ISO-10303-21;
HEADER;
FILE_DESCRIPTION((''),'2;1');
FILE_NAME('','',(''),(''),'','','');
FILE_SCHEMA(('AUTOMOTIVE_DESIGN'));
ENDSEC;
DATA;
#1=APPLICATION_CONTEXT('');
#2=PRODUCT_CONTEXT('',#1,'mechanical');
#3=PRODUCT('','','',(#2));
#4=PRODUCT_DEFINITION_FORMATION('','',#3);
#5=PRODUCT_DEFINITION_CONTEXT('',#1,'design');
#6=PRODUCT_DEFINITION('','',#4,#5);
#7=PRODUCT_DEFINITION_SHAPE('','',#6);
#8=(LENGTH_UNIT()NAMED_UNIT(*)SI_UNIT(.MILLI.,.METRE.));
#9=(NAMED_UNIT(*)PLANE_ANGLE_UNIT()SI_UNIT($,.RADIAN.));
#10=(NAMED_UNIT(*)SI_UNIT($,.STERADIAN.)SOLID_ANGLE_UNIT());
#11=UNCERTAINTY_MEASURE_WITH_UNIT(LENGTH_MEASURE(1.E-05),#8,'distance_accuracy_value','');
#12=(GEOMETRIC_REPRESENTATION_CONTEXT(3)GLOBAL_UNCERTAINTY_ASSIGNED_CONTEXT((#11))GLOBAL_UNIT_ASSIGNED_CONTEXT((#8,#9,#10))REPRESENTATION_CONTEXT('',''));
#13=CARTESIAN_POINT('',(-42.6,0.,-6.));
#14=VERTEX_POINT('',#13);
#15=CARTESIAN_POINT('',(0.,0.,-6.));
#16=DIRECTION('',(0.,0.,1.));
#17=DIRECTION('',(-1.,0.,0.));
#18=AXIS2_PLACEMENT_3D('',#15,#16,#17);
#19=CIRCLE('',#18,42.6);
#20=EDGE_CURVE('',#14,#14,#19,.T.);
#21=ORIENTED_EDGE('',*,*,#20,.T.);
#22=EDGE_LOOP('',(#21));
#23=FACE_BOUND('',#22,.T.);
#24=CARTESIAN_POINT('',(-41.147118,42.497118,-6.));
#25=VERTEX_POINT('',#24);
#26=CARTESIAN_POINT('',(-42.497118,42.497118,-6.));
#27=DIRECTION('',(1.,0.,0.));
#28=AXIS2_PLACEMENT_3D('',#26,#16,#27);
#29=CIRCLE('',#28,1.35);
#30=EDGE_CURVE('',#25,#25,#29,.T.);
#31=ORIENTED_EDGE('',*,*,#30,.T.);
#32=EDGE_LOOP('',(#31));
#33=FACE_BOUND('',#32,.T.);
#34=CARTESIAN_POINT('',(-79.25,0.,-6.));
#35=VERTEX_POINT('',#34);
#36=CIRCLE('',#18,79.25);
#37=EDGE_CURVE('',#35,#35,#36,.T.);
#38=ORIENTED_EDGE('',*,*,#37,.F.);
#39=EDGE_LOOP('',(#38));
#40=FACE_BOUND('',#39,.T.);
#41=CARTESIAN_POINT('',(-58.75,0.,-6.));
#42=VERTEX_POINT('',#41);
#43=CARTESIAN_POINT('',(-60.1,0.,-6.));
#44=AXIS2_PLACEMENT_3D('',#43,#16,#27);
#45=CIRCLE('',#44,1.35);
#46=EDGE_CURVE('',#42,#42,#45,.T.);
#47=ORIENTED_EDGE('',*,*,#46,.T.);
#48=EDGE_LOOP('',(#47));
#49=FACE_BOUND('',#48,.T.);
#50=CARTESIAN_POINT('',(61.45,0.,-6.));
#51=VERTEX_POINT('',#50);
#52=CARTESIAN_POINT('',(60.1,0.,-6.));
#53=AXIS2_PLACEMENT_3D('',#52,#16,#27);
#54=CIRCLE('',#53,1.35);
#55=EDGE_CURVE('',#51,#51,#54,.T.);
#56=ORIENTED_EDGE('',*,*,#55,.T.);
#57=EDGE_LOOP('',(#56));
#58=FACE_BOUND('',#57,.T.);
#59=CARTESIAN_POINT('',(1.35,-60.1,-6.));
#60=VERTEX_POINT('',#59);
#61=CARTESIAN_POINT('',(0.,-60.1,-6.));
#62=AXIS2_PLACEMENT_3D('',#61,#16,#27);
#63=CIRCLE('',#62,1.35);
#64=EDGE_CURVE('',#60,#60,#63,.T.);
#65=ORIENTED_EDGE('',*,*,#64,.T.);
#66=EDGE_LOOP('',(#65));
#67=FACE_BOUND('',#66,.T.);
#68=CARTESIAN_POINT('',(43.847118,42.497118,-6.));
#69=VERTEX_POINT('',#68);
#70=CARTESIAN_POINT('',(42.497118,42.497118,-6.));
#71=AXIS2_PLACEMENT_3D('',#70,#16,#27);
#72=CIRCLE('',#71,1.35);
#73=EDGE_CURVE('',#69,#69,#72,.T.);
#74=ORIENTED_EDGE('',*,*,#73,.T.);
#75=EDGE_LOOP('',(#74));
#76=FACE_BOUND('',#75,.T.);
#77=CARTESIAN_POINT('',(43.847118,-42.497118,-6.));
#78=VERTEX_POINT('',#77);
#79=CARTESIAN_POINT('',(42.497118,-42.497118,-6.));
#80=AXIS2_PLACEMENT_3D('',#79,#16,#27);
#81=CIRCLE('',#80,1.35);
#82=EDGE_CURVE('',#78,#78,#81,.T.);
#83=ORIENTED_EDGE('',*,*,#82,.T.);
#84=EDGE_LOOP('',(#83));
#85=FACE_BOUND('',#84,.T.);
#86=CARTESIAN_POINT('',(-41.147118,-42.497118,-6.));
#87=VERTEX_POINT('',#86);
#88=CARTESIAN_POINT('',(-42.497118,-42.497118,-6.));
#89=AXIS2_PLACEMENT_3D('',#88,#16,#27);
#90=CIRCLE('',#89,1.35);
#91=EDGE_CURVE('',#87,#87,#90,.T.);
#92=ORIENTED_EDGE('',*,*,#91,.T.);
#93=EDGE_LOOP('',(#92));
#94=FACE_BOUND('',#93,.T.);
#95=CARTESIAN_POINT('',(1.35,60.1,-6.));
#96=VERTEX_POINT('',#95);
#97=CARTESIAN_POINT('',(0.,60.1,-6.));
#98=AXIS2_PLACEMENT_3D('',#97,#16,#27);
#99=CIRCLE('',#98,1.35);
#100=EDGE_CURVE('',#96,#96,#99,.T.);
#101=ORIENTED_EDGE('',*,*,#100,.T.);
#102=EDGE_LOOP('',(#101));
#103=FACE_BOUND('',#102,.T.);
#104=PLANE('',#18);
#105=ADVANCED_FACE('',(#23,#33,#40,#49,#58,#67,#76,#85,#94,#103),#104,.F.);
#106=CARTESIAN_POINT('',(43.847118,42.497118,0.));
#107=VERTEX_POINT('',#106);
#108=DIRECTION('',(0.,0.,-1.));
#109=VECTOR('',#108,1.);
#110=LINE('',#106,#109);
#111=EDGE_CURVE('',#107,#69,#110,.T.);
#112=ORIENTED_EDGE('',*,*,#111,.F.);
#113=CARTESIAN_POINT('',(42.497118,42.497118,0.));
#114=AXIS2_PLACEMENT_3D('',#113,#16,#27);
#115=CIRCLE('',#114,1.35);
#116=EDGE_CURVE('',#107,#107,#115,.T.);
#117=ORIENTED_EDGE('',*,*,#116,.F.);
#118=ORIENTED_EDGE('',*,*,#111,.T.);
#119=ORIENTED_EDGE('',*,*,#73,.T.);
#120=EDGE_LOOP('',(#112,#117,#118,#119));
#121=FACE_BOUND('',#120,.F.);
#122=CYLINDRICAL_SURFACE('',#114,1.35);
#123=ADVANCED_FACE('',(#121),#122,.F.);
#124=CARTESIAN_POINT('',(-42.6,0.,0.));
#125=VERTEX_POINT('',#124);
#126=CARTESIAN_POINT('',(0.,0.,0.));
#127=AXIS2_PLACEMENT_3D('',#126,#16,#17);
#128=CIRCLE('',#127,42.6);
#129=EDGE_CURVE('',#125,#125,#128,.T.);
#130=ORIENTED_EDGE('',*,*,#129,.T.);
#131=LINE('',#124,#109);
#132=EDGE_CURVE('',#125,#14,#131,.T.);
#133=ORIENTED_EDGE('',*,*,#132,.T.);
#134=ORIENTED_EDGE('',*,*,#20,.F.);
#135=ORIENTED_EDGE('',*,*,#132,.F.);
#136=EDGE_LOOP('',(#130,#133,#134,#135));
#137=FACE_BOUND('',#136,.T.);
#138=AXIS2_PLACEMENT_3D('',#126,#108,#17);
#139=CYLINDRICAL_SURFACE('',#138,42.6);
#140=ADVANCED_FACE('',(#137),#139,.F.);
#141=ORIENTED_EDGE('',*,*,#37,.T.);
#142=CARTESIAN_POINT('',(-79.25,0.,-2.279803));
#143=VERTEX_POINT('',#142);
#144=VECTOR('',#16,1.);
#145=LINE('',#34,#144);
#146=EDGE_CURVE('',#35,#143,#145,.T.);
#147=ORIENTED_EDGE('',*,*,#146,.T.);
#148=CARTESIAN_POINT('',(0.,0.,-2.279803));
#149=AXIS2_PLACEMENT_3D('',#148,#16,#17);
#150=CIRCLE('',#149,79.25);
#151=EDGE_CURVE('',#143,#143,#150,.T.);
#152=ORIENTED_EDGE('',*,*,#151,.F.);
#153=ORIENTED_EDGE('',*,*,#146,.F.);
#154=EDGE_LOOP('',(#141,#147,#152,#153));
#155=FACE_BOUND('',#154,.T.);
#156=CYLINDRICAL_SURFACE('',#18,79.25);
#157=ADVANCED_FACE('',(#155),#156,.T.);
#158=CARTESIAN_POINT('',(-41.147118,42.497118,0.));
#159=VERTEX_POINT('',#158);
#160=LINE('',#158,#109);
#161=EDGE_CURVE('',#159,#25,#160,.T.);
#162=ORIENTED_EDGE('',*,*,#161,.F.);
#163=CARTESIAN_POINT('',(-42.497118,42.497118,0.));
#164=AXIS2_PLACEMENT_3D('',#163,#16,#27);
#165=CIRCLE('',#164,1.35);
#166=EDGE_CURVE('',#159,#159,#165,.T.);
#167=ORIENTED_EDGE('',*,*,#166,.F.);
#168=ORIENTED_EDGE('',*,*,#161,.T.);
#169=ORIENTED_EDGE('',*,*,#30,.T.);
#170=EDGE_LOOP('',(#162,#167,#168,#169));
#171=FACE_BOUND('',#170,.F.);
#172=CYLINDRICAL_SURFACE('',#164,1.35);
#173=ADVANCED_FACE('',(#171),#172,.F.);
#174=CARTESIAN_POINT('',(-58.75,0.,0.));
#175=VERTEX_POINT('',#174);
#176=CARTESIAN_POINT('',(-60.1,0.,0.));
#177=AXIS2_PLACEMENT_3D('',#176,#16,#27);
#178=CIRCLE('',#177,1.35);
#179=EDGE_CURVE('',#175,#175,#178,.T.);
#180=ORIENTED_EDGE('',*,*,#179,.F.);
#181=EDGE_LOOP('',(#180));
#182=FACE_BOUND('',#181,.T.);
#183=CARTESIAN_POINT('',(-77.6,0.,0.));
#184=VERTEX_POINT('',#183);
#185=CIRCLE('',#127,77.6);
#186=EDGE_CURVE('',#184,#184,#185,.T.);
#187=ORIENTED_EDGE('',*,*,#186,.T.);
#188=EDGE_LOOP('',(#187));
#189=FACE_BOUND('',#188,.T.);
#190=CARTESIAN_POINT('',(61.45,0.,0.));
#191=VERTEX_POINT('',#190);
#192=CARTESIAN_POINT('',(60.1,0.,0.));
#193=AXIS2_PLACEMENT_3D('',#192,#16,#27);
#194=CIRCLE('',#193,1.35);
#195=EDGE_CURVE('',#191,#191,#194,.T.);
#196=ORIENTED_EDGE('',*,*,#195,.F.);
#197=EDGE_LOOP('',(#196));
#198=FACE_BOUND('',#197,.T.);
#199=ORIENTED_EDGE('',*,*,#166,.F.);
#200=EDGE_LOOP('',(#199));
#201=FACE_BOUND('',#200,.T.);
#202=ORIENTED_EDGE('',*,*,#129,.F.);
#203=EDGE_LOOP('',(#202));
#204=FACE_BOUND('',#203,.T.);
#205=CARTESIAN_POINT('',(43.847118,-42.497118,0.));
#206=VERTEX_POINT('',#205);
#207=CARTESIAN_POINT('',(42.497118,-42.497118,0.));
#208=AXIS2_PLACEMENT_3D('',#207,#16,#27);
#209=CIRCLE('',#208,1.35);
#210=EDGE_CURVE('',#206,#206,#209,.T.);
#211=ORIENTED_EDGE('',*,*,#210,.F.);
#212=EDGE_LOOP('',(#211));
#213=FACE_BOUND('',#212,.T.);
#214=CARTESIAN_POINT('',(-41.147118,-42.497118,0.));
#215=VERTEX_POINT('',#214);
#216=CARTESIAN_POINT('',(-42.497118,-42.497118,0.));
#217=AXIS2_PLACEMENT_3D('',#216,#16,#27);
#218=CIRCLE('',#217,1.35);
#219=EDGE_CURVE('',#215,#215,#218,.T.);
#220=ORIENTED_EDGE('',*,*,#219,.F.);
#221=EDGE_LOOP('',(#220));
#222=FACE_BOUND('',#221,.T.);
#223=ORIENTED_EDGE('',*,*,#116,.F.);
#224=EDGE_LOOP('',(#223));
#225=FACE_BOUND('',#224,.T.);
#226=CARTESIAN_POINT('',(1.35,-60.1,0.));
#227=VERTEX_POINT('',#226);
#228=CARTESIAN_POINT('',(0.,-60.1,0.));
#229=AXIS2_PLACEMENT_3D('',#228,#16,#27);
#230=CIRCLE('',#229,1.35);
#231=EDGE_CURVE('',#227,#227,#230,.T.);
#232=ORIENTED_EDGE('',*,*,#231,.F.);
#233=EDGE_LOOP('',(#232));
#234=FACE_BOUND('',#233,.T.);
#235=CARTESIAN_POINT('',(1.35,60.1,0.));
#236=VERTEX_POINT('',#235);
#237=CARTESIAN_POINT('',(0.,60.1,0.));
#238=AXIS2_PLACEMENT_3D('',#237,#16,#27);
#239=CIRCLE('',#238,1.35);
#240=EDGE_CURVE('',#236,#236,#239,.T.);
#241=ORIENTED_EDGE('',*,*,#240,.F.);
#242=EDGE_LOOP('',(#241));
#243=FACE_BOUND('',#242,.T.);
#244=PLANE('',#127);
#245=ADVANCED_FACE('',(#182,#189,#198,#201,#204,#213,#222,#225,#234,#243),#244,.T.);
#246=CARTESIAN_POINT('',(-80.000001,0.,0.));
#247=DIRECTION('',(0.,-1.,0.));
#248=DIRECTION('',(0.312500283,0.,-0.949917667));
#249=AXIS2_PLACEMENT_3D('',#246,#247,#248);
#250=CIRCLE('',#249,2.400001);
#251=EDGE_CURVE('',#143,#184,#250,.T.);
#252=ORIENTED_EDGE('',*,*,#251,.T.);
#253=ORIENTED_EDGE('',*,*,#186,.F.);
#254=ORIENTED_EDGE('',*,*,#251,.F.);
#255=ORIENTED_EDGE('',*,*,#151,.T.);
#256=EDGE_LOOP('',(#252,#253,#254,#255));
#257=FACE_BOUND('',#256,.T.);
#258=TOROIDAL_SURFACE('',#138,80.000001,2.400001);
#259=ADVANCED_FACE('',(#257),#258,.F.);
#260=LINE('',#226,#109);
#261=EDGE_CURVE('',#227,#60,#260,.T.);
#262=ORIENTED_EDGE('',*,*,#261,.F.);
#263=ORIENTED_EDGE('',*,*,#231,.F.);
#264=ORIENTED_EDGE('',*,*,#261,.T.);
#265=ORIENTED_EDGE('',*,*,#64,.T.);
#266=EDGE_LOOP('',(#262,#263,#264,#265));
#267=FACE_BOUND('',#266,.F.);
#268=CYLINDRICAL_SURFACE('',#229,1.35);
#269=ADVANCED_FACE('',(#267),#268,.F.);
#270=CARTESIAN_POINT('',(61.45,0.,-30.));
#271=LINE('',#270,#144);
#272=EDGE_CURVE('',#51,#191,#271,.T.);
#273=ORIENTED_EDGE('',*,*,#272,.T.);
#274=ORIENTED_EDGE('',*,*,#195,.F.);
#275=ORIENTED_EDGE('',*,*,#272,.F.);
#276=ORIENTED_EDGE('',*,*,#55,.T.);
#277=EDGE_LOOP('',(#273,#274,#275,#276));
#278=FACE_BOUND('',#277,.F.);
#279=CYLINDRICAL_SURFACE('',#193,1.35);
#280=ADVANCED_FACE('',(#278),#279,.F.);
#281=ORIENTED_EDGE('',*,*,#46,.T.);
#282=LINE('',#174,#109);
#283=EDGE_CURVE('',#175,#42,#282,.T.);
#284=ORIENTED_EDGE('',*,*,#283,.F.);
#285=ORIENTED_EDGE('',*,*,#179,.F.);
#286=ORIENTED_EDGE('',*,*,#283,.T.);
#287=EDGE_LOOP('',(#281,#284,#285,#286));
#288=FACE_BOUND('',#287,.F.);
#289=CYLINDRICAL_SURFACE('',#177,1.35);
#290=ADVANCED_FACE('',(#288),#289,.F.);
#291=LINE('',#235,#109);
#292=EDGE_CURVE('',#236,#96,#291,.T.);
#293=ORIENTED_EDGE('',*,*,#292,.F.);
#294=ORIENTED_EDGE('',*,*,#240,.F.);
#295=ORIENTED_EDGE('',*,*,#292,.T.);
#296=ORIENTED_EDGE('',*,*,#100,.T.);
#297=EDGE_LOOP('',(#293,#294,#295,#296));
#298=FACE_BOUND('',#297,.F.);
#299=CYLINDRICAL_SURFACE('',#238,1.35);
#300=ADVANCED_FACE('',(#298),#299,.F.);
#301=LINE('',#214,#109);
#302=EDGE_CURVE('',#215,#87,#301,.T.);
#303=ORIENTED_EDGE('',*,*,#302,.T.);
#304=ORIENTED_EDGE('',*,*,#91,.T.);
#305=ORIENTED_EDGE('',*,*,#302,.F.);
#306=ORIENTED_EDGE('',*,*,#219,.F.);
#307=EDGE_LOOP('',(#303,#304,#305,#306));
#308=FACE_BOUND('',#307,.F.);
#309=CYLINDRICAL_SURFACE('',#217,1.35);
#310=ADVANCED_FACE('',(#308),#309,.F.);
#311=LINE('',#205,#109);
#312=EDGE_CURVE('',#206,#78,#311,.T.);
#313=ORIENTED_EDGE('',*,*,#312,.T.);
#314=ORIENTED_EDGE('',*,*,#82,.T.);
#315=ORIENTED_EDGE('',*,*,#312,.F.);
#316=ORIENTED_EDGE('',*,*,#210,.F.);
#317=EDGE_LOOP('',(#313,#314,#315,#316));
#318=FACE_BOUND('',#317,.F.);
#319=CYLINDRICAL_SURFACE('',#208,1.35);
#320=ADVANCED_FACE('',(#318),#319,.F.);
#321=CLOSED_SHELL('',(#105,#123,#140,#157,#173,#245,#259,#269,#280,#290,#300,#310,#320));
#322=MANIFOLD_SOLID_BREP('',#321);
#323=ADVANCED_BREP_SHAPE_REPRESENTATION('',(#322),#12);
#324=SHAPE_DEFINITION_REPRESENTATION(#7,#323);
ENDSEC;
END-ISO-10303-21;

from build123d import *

# Parameters (mm, degrees)
SKETCH003_R   = 1.35
EXTRUDE_DEPTH = 30


with BuildPart() as hole_cut:
    # Sketch003 → Extrude (new body, symmetric)
    with BuildSketch(Plane.XY):
        with Locations((42.497118, 42.497118)):
            Circle(SKETCH003_R)
        with Locations((0, 60.1)):
            Circle(SKETCH003_R)
        with Locations((-42.497118, 42.497118)):
            Circle(SKETCH003_R)
        with Locations((-60.1, 0)):
            Circle(SKETCH003_R)
        with Locations((-42.497118, -42.497118)):
            Circle(SKETCH003_R)
        with Locations((0, -60.1)):
            Circle(SKETCH003_R)
        with Locations((42.497118, -42.497118)):
            Circle(SKETCH003_R)
        with Locations((60.1, 0)):
            Circle(SKETCH003_R)
    extrude(amount=EXTRUDE_DEPTH, both=True)


with BuildPart() as bearing_inner_race_lower:
    # Sketch001 → Revolve002 (revolve)
    with BuildSketch(Plane.XZ):
        with BuildLine():
            ThreePointArc((-79.25, -2.279803), (-78.055778, -1.407125), (-77.6, 0))
            Line((-77.6, 0), (-42.6, 0))
            Line((-42.6, 0), (-42.6, -6))
            Line((-42.6, -6), (-79.25, -6))
            Line((-79.25, -6), (-79.25, -2.279803))
        make_face()
    revolve(axis=Axis((0, 0, 0), (0, 0, 1)))

    # Cut001: cut hole cut
    add(hole_cut.part, mode=Mode.SUBTRACT)


solid = bearing_inner_race_lower.part
